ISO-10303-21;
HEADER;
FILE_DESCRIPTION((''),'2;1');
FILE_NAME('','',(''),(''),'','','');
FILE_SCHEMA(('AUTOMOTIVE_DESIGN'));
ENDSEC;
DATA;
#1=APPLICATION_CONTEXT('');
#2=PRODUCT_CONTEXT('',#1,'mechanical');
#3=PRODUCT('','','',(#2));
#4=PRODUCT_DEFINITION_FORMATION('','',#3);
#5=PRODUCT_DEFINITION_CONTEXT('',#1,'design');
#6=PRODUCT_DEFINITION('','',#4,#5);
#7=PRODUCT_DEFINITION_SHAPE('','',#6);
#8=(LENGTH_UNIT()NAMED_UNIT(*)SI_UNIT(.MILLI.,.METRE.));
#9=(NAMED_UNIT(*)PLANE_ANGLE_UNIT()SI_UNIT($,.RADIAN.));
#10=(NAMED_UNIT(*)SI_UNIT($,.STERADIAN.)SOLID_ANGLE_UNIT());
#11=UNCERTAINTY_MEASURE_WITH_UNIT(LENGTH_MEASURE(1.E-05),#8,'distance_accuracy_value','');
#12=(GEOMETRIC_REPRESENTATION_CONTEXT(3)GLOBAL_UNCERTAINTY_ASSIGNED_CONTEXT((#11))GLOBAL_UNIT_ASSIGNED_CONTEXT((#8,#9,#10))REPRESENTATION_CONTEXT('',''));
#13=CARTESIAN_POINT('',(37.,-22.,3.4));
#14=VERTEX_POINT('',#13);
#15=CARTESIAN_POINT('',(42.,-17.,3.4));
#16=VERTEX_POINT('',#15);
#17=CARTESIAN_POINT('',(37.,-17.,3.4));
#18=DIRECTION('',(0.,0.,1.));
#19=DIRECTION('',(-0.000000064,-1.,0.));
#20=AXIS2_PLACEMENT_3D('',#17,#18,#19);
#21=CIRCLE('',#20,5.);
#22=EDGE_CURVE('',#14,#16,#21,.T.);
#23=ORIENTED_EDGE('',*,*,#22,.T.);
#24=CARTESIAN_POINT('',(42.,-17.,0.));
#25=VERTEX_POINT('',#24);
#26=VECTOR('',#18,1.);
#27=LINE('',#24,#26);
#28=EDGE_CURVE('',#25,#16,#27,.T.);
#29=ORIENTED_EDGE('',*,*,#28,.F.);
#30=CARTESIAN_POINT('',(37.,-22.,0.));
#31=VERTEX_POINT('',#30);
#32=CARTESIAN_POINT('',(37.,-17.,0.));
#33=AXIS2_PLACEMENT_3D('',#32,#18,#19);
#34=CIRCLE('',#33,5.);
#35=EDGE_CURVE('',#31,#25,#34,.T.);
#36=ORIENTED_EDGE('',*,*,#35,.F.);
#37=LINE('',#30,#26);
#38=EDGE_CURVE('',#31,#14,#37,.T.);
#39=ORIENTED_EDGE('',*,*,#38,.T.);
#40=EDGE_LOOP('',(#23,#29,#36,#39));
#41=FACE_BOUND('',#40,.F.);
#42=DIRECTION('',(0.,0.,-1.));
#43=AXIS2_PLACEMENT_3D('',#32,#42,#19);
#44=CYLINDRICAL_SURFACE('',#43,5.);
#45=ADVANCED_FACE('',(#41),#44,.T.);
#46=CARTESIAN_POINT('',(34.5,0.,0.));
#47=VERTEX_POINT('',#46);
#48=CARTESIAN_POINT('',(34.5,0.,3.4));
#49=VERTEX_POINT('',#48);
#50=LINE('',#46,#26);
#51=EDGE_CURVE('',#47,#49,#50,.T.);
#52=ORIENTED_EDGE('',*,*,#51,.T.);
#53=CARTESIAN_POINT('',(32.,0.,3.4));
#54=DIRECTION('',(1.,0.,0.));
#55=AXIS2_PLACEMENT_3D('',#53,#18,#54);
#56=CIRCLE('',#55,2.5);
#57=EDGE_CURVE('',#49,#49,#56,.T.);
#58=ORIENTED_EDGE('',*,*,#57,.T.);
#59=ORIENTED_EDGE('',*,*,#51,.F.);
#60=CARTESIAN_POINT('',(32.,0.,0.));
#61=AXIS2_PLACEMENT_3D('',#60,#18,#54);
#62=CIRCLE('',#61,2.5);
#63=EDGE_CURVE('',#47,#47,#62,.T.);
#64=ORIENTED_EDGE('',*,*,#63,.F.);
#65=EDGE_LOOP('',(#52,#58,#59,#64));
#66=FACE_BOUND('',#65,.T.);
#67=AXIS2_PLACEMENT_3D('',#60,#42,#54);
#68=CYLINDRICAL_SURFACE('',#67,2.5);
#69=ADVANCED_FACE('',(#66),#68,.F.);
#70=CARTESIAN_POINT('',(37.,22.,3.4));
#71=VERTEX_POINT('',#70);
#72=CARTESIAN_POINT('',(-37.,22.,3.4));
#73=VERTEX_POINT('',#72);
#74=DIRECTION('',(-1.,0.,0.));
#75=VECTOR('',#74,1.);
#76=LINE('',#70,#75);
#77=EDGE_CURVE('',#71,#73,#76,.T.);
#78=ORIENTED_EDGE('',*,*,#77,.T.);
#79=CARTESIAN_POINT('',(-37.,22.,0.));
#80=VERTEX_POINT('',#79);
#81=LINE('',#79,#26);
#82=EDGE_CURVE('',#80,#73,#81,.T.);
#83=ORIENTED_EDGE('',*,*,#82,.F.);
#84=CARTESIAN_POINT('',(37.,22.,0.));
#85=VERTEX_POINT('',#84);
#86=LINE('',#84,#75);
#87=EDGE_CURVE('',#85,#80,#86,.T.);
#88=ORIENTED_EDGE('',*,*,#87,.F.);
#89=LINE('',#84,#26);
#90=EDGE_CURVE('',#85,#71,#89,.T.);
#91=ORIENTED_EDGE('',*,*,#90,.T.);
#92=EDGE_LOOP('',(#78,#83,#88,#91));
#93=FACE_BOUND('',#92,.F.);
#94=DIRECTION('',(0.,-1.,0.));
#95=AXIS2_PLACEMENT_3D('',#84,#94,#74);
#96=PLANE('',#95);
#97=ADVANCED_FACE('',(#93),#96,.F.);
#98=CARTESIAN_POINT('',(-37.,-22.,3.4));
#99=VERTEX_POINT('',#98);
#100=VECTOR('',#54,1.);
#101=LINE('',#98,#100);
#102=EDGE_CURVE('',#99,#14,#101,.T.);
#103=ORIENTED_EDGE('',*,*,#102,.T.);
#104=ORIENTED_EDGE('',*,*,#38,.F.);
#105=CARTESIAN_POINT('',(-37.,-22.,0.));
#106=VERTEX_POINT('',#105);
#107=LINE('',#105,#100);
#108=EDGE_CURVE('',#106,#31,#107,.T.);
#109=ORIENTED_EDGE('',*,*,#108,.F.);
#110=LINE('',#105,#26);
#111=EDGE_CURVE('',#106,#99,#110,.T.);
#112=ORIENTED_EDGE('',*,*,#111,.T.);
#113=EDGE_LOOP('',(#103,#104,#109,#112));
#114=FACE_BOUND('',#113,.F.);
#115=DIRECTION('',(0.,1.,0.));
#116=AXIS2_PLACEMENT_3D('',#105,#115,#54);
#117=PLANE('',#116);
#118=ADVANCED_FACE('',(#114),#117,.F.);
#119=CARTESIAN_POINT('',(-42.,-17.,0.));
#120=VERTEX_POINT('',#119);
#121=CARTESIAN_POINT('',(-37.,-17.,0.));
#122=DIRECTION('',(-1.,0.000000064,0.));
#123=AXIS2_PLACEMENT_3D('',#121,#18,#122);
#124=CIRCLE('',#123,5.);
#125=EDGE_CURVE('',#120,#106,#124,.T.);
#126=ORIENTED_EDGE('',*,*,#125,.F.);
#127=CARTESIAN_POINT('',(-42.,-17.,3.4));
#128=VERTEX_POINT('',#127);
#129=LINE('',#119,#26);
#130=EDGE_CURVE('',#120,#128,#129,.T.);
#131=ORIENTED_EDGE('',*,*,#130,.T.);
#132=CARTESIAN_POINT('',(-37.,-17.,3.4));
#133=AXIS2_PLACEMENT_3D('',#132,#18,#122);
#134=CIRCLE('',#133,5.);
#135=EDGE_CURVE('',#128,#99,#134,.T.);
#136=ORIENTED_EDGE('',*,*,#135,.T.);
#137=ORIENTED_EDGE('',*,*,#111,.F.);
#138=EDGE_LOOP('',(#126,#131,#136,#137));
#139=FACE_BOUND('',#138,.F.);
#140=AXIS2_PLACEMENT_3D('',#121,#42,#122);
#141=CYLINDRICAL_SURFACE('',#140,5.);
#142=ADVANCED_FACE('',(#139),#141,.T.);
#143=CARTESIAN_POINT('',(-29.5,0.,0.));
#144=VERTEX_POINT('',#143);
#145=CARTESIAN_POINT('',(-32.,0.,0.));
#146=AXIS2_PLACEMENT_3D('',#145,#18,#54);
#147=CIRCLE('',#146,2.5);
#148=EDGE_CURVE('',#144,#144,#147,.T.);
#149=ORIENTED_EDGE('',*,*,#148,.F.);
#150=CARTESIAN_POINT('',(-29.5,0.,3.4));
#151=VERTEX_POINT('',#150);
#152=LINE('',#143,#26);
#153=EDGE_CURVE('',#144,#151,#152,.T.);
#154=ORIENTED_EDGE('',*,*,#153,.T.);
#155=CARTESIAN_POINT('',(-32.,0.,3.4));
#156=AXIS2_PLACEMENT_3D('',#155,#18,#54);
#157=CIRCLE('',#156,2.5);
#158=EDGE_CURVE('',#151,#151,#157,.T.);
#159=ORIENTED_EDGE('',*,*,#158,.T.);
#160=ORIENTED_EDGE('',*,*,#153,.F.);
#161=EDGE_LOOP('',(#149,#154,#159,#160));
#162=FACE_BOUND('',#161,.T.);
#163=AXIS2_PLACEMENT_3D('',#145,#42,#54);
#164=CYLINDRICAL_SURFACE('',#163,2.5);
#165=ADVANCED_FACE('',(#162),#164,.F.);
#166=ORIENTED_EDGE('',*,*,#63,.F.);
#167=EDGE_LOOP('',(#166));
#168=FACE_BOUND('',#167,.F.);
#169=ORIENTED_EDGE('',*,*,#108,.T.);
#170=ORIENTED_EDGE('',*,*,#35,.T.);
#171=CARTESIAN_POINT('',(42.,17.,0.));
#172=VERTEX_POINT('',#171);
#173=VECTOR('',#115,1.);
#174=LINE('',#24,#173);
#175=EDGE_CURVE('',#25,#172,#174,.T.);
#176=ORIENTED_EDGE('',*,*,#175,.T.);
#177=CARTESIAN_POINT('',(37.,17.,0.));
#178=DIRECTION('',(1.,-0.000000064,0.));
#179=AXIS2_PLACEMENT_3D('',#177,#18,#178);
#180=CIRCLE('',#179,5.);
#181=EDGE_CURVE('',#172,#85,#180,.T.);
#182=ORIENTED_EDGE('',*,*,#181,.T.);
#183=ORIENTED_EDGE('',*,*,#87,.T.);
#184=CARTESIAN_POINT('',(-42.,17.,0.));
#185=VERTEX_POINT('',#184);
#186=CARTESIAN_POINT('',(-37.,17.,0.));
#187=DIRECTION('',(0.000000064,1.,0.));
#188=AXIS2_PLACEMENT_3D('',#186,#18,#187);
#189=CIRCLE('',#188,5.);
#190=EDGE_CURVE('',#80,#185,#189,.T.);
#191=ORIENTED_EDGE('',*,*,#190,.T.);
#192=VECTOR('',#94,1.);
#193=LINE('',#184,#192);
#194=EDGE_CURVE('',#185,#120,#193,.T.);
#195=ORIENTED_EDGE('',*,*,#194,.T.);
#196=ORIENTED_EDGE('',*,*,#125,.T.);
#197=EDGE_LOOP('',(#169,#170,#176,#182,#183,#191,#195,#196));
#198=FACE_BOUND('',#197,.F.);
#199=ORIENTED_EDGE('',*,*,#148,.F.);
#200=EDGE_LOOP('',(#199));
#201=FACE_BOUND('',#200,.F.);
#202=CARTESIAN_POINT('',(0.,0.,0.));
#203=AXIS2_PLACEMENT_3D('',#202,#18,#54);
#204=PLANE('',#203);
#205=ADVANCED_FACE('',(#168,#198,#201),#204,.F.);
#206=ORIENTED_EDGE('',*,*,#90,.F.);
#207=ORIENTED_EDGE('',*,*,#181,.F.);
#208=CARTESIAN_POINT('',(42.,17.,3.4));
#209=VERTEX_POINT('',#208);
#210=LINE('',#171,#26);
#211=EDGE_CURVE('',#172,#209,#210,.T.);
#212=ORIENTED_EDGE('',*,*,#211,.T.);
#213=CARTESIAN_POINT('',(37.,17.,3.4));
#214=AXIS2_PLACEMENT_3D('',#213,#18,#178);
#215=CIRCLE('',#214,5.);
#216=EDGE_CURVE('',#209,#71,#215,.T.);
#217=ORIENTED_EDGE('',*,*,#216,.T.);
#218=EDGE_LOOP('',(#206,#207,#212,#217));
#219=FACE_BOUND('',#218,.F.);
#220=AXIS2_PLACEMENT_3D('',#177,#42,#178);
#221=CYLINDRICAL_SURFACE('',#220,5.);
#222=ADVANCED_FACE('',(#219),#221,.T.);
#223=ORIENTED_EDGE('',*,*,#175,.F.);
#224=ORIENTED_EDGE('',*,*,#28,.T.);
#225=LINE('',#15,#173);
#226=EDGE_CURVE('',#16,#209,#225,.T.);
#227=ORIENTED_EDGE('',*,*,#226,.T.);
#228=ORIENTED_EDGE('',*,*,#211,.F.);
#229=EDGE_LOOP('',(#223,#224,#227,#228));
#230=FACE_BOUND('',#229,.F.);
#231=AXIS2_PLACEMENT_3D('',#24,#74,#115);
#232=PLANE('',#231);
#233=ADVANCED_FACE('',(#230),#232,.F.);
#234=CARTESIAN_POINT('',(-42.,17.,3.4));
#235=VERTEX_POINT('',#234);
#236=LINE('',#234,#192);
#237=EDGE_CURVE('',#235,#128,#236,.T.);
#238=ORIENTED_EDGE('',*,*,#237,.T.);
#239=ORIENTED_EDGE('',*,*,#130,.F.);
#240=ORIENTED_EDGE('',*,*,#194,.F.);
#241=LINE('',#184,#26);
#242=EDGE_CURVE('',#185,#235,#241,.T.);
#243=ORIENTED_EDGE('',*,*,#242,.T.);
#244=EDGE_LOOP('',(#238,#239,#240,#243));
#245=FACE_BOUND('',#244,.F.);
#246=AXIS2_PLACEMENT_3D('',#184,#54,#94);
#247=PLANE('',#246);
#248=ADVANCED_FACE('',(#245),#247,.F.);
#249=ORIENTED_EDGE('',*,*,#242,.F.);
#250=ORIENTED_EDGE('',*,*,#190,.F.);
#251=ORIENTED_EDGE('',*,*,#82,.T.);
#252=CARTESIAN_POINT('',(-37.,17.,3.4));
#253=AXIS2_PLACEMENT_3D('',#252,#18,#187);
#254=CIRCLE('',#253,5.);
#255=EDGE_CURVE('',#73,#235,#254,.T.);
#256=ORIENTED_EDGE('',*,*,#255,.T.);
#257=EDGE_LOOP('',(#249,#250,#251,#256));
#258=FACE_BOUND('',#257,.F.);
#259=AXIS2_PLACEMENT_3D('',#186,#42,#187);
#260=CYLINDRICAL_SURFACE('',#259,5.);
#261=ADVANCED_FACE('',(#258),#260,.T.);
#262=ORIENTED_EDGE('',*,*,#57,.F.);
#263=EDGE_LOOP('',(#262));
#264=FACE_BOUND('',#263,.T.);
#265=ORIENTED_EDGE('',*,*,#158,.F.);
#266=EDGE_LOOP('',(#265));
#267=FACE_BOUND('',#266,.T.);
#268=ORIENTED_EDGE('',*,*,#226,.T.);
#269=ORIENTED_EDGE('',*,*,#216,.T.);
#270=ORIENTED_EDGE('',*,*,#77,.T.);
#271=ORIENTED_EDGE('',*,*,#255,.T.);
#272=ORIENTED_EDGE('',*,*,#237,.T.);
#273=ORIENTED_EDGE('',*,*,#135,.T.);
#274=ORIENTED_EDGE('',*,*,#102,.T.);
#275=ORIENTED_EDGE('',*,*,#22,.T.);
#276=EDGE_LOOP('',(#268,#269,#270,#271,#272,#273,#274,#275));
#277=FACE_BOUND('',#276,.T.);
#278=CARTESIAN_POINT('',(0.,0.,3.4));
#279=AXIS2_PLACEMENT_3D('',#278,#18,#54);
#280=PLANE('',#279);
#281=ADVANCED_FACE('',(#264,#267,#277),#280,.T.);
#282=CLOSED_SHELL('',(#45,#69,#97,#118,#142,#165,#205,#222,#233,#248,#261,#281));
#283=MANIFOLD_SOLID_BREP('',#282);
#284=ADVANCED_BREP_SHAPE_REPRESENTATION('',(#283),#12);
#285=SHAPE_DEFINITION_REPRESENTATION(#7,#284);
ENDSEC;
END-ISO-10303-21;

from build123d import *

# Parameters (mm, degrees)
SKETCH_R  = 2.5
PAD_DEPTH = 3.4


with BuildPart() as part:
    # Sketch → Pad (new body)
    with BuildSketch(Plane.XY):
        with BuildLine():
            Line((-42, 17), (-42, -17))
            ThreePointArc((-42, -17), (-40.535534, -20.535534), (-37, -22))
            Line((-37, -22), (37, -22))
            ThreePointArc((37, -22), (40.535534, -20.535534), (42, -17))
            Line((42, -17), (42, 17))
            ThreePointArc((42, 17), (40.535534, 20.535534), (37, 22))
            Line((37, 22), (-37, 22))
            ThreePointArc((-37, 22), (-40.535534, 20.535534), (-42, 17))
        make_face()
        with Locations((-32, 0)):
            Circle(SKETCH_R, mode=Mode.SUBTRACT)
        with Locations((32, 0)):
            Circle(SKETCH_R, mode=Mode.SUBTRACT)
    extrude(amount=PAD_DEPTH)


solid = part.part
